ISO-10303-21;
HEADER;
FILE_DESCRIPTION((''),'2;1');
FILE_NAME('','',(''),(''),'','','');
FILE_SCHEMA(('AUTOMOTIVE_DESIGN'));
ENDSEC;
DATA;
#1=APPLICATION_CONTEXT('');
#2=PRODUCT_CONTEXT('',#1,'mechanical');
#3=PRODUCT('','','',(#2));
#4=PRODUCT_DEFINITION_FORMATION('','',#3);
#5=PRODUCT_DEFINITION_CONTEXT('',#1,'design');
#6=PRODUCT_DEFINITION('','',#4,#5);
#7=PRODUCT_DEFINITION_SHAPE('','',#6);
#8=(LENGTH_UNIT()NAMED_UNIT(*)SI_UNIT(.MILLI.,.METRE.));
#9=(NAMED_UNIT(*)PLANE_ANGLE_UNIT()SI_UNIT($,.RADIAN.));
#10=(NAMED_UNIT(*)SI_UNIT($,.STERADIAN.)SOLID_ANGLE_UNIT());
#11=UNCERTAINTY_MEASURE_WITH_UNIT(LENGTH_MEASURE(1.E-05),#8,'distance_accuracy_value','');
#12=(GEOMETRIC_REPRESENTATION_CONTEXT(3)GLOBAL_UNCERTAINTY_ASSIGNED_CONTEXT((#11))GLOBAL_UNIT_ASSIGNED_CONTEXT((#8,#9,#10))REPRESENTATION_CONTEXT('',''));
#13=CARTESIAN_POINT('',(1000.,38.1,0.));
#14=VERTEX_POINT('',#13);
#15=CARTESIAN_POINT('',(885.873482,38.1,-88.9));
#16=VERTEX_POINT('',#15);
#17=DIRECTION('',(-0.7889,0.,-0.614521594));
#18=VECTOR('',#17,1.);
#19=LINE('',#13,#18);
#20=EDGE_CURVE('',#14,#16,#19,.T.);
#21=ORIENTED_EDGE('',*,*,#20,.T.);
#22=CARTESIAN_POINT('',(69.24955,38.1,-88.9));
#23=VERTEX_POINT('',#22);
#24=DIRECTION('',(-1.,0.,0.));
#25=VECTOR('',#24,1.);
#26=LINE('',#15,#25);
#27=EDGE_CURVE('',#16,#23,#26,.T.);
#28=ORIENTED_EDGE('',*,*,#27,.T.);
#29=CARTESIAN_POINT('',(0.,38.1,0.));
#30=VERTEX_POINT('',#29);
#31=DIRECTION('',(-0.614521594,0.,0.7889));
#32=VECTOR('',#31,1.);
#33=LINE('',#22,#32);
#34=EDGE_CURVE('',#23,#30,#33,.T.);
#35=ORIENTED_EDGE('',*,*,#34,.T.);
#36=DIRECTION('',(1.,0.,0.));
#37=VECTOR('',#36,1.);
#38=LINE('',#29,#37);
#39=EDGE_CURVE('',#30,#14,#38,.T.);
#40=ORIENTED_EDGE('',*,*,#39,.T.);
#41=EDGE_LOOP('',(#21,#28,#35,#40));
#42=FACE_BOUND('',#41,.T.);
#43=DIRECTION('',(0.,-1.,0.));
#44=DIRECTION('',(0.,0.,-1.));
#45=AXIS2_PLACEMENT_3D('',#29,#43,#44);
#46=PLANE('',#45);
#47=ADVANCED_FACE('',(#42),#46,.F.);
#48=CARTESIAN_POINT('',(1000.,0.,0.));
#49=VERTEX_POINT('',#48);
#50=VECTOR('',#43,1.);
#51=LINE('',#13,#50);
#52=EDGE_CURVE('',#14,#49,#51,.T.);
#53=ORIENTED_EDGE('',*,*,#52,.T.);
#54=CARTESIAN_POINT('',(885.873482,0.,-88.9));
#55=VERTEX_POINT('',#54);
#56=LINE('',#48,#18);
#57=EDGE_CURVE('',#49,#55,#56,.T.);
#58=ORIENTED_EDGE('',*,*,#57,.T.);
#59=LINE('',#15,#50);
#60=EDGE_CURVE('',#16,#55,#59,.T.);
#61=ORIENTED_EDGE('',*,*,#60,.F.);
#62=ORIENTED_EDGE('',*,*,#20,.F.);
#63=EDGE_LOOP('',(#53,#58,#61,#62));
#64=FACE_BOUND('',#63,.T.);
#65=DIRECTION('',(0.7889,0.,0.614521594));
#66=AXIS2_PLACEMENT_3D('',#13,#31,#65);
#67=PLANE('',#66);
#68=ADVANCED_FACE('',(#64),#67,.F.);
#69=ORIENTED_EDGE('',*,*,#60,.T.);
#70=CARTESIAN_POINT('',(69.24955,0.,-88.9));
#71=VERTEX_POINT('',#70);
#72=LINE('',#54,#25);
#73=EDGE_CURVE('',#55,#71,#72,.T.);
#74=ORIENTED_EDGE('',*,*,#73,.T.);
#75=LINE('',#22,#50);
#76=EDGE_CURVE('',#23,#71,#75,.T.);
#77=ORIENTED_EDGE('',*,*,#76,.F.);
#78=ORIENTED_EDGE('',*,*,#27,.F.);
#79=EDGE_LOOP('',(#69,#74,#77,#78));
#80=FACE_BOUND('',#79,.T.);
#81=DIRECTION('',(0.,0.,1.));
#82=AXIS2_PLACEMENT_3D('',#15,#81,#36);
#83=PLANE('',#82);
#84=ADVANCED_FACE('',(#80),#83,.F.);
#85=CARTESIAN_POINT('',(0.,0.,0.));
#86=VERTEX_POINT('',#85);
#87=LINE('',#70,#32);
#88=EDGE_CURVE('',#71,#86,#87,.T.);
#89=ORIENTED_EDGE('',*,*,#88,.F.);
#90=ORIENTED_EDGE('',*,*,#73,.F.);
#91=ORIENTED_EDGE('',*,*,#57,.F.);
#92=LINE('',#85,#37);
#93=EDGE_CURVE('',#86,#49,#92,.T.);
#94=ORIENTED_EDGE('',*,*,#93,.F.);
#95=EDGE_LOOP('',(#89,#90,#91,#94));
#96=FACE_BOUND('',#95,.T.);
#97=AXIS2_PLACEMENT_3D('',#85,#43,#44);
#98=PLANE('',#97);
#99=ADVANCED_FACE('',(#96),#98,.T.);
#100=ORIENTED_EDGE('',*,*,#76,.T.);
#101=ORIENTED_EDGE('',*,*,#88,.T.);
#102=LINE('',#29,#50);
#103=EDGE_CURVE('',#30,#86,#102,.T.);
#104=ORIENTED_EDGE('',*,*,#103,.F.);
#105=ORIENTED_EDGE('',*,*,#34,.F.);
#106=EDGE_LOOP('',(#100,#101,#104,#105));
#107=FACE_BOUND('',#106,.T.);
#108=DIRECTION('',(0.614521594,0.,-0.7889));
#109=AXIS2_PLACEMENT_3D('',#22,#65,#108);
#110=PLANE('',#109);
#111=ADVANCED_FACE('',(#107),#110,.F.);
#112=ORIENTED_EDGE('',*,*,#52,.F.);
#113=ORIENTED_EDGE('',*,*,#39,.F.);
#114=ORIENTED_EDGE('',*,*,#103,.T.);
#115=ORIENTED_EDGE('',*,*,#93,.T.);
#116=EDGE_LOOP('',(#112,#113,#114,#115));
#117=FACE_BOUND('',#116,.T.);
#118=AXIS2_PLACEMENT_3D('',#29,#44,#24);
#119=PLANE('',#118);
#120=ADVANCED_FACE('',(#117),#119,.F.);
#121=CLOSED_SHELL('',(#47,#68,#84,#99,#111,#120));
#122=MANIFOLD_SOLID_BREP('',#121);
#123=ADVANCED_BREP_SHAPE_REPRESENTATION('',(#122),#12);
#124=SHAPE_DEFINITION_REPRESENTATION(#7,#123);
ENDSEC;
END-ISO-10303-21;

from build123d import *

# Parameters (mm, degrees)
BOSS_EXTRUDE1_DEPTH = 38.1


with BuildPart() as part:
    # Sketch1 → Boss-Extrude1 (new body)
    with BuildSketch(Plane(origin=(0, 0, 0), x_dir=(1, 0, 0), z_dir=(0, 1, 0))):
        Polygon((0, 0), (1000, 0), (885.873481675, 88.9), (69.249549675, 88.9), align=None)
    extrude(amount=BOSS_EXTRUDE1_DEPTH)


solid = part.part
